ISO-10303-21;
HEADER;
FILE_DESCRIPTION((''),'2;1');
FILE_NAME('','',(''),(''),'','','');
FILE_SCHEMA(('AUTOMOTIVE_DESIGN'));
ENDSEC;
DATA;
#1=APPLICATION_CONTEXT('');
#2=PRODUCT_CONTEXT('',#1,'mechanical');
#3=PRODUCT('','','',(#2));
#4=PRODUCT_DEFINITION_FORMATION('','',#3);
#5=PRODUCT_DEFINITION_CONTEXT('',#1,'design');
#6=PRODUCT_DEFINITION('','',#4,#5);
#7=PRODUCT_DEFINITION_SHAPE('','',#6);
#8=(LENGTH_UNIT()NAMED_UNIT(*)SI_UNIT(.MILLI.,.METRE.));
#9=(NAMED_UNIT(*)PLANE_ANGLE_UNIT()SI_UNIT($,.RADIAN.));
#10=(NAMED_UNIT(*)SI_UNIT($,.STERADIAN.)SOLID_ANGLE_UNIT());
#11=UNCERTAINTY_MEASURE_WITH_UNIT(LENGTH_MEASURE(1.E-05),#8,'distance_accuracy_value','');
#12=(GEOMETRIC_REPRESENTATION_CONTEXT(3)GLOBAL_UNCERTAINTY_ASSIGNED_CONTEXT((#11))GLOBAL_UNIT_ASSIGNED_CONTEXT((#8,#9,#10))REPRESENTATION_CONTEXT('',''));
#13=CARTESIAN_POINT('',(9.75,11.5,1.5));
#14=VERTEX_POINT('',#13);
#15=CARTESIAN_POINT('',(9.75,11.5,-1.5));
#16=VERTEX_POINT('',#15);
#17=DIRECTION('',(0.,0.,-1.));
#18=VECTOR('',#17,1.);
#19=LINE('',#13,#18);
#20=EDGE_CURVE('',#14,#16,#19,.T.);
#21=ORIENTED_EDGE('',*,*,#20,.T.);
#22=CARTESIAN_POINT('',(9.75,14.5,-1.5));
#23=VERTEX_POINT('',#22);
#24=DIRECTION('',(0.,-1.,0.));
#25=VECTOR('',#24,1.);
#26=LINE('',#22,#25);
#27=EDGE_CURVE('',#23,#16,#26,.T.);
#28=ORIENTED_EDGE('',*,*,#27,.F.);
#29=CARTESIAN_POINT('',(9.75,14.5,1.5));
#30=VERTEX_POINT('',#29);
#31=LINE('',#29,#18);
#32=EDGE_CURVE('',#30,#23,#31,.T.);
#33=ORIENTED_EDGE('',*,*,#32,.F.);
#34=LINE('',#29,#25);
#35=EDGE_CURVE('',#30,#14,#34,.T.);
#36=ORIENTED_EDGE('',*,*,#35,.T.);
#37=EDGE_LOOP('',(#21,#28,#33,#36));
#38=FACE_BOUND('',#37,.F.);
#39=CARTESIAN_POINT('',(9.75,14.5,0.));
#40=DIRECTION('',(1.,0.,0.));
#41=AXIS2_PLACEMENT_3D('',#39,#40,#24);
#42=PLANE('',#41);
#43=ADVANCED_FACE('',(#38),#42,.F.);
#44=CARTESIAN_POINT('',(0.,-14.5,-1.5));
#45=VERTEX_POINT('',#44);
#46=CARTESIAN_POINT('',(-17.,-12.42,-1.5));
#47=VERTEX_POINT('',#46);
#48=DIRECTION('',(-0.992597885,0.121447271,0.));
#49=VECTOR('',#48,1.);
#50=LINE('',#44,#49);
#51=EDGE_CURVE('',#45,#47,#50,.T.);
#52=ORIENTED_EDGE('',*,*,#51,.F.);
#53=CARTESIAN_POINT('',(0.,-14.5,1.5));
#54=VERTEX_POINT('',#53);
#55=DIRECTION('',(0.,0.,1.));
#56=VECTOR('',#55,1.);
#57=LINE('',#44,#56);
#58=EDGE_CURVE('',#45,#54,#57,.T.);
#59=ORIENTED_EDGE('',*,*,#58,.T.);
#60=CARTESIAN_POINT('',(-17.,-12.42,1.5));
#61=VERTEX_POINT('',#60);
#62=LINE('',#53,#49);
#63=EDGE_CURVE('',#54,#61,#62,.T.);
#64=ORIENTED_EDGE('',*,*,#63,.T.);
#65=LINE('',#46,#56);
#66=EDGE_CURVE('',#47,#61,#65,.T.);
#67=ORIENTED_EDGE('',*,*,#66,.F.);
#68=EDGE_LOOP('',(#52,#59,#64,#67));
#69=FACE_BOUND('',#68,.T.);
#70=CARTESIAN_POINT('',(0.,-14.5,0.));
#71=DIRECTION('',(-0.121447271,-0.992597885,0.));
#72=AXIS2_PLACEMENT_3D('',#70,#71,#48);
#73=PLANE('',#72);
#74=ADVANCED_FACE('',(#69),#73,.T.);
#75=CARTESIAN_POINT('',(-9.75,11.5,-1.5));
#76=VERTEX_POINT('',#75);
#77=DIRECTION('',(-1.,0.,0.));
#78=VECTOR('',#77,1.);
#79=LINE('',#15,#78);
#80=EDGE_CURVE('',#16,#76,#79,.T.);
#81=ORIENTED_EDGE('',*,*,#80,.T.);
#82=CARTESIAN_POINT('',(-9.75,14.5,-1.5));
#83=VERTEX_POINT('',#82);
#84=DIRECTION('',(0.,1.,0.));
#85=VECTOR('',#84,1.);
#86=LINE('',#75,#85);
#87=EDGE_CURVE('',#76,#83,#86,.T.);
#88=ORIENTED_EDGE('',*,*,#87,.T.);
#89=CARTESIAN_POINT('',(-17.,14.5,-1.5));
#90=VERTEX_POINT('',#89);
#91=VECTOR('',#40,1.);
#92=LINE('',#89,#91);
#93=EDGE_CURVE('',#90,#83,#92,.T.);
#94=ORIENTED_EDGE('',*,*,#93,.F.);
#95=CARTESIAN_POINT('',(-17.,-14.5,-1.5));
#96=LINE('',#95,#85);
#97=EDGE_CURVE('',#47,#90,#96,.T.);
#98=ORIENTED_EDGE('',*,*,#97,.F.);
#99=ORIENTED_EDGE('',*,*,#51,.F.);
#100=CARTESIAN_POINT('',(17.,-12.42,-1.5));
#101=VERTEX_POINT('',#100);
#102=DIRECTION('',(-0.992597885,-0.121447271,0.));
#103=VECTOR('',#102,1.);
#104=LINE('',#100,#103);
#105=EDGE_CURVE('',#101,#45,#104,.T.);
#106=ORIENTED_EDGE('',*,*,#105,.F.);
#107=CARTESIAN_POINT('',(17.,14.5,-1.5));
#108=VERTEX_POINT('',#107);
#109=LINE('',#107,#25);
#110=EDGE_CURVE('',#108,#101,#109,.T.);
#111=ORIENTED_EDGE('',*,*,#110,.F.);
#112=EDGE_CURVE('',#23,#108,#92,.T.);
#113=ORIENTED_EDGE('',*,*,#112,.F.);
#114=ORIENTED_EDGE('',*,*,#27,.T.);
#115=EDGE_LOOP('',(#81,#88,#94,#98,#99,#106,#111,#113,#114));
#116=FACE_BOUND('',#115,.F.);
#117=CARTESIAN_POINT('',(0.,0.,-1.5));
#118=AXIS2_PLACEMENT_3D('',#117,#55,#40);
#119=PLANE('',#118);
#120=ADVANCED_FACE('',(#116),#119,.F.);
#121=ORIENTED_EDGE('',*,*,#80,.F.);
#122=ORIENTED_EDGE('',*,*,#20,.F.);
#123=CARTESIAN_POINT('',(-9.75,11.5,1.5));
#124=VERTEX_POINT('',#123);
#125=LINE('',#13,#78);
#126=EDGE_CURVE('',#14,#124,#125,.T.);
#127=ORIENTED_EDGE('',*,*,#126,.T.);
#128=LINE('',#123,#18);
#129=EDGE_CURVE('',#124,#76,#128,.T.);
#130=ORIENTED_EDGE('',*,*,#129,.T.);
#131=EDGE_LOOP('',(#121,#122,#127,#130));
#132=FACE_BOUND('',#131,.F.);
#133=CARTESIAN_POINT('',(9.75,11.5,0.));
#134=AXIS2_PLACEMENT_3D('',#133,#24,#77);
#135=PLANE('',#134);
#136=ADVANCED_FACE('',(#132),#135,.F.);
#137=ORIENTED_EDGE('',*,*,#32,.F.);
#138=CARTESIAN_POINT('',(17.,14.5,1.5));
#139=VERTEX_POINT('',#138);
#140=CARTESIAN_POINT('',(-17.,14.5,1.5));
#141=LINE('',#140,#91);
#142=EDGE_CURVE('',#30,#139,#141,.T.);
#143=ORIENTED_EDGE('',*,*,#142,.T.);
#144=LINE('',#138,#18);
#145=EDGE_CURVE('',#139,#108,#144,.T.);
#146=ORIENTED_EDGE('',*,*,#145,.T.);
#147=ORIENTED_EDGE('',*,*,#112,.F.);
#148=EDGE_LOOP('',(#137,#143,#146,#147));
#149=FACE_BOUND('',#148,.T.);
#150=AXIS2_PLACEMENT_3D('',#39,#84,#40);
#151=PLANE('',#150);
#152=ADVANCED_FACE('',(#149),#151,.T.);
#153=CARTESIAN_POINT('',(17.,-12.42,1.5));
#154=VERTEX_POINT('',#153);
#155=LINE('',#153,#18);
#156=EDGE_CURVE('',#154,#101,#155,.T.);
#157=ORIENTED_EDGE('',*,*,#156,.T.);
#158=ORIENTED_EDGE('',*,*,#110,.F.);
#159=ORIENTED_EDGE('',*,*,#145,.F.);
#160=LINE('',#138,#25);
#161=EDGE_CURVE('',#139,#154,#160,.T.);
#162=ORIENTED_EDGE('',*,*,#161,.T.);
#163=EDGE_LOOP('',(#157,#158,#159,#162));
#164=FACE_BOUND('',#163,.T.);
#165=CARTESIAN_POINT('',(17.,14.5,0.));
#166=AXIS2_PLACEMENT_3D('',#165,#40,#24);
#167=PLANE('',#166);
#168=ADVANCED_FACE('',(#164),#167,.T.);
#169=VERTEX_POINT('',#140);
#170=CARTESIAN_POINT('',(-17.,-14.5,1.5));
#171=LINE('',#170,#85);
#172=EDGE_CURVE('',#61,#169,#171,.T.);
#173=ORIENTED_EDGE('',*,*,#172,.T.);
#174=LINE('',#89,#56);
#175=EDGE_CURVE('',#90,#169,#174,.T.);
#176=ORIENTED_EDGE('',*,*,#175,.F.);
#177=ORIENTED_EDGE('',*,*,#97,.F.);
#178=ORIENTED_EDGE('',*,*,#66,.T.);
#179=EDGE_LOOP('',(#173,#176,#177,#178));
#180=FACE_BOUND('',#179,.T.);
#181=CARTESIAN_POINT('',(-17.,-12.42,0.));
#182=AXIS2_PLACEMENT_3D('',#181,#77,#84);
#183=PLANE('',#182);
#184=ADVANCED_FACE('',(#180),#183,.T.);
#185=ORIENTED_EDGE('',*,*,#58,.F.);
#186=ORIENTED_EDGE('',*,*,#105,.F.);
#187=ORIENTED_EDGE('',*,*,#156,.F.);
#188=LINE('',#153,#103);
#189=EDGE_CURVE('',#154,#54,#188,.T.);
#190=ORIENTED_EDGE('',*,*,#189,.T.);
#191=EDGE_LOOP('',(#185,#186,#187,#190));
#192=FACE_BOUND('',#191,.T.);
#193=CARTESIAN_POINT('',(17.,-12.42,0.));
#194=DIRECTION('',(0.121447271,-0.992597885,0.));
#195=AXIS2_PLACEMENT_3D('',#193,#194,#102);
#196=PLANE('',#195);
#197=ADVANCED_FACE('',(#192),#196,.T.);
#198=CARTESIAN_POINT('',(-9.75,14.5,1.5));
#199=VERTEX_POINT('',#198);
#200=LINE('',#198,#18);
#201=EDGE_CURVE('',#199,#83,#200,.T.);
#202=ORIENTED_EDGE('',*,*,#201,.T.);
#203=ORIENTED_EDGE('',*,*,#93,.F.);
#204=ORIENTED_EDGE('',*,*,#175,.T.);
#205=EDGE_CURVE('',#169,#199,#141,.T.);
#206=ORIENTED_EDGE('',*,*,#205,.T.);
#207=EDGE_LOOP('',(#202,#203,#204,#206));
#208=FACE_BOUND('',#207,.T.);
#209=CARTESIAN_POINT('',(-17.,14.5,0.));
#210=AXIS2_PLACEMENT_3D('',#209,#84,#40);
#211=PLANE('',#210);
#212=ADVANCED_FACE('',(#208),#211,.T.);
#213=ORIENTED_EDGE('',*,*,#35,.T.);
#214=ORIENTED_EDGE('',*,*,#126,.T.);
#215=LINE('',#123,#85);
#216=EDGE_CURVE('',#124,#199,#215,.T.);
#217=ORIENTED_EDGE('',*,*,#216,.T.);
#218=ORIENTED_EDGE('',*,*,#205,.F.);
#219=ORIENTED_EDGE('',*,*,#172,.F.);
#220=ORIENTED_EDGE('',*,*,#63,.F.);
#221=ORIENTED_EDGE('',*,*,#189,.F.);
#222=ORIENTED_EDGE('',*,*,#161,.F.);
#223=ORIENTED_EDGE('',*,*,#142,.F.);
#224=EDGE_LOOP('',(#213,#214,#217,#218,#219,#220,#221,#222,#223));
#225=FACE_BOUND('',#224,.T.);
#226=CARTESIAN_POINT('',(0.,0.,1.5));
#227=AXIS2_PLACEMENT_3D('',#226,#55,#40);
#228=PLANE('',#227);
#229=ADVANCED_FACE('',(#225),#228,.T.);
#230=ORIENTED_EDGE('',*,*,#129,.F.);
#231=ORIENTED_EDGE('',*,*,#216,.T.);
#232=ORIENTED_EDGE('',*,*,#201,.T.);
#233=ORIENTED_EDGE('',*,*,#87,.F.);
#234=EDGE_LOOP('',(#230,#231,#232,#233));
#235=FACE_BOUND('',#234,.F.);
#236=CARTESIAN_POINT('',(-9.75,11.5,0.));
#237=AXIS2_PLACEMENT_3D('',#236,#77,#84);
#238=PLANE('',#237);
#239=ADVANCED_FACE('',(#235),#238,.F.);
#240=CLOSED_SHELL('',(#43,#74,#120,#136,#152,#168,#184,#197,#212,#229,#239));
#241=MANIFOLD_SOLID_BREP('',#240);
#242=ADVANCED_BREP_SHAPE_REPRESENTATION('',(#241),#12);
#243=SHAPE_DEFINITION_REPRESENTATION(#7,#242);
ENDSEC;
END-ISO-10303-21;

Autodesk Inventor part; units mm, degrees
ref_plane "YZ Plane" through (0, 0, 0) normal (1, 0, 0) x (0, 1, 0)
ref_plane "XZ Plane" through (0, 0, 0) normal (0, 1, 0) x (-1, 0, 0)
ref_plane "XY Plane" through (0, 0, 0) normal (0, 0, 1) x (1, 0, 0)
sketch "Sketch1" plane through (0, 0, 0) normal (0, 0, 1) x (1, 0, 0)
  line L0 (-17, 14.5) -> (17, 14.5)
  line L1 (17, 14.5) -> (17, -14.5)
  line L2 (17, -14.5) -> (-17, -14.5)
  line L3 (-17, -14.5) -> (-17, 14.5)
  line L4 (-9.75, 14.5) -> (9.75, 14.5)
  line L5 (9.75, 14.5) -> (9.75, 11.5)
  line L6 (9.75, 11.5) -> (-9.75, 11.5)
  line L7 (-9.75, 11.5) -> (-9.75, 14.5)
  line L8 (0, -14.5) -> (0, -12.42)
  line L9 (17, -12.42) -> (0, -14.5)
  line L10 (0, -14.5) -> (-17, -12.42)
  point P0 (0, 0)
  point P1 (17, 0)
  point P2 (0, 14.5)
  point P3 (9.75, 14.5)
  dimension "d0" = 34
  dimension "d1" = 29
  dimension "d3" = 2.08
  dimension "d6" = 19.5
  dimension "d7" = 3
extrude "Extrusion1" add sketch "Sketch1" along normal mid plane 3 contours L0 L7 L6 L5 L1 L9 L10 L3
properties part number "A"
